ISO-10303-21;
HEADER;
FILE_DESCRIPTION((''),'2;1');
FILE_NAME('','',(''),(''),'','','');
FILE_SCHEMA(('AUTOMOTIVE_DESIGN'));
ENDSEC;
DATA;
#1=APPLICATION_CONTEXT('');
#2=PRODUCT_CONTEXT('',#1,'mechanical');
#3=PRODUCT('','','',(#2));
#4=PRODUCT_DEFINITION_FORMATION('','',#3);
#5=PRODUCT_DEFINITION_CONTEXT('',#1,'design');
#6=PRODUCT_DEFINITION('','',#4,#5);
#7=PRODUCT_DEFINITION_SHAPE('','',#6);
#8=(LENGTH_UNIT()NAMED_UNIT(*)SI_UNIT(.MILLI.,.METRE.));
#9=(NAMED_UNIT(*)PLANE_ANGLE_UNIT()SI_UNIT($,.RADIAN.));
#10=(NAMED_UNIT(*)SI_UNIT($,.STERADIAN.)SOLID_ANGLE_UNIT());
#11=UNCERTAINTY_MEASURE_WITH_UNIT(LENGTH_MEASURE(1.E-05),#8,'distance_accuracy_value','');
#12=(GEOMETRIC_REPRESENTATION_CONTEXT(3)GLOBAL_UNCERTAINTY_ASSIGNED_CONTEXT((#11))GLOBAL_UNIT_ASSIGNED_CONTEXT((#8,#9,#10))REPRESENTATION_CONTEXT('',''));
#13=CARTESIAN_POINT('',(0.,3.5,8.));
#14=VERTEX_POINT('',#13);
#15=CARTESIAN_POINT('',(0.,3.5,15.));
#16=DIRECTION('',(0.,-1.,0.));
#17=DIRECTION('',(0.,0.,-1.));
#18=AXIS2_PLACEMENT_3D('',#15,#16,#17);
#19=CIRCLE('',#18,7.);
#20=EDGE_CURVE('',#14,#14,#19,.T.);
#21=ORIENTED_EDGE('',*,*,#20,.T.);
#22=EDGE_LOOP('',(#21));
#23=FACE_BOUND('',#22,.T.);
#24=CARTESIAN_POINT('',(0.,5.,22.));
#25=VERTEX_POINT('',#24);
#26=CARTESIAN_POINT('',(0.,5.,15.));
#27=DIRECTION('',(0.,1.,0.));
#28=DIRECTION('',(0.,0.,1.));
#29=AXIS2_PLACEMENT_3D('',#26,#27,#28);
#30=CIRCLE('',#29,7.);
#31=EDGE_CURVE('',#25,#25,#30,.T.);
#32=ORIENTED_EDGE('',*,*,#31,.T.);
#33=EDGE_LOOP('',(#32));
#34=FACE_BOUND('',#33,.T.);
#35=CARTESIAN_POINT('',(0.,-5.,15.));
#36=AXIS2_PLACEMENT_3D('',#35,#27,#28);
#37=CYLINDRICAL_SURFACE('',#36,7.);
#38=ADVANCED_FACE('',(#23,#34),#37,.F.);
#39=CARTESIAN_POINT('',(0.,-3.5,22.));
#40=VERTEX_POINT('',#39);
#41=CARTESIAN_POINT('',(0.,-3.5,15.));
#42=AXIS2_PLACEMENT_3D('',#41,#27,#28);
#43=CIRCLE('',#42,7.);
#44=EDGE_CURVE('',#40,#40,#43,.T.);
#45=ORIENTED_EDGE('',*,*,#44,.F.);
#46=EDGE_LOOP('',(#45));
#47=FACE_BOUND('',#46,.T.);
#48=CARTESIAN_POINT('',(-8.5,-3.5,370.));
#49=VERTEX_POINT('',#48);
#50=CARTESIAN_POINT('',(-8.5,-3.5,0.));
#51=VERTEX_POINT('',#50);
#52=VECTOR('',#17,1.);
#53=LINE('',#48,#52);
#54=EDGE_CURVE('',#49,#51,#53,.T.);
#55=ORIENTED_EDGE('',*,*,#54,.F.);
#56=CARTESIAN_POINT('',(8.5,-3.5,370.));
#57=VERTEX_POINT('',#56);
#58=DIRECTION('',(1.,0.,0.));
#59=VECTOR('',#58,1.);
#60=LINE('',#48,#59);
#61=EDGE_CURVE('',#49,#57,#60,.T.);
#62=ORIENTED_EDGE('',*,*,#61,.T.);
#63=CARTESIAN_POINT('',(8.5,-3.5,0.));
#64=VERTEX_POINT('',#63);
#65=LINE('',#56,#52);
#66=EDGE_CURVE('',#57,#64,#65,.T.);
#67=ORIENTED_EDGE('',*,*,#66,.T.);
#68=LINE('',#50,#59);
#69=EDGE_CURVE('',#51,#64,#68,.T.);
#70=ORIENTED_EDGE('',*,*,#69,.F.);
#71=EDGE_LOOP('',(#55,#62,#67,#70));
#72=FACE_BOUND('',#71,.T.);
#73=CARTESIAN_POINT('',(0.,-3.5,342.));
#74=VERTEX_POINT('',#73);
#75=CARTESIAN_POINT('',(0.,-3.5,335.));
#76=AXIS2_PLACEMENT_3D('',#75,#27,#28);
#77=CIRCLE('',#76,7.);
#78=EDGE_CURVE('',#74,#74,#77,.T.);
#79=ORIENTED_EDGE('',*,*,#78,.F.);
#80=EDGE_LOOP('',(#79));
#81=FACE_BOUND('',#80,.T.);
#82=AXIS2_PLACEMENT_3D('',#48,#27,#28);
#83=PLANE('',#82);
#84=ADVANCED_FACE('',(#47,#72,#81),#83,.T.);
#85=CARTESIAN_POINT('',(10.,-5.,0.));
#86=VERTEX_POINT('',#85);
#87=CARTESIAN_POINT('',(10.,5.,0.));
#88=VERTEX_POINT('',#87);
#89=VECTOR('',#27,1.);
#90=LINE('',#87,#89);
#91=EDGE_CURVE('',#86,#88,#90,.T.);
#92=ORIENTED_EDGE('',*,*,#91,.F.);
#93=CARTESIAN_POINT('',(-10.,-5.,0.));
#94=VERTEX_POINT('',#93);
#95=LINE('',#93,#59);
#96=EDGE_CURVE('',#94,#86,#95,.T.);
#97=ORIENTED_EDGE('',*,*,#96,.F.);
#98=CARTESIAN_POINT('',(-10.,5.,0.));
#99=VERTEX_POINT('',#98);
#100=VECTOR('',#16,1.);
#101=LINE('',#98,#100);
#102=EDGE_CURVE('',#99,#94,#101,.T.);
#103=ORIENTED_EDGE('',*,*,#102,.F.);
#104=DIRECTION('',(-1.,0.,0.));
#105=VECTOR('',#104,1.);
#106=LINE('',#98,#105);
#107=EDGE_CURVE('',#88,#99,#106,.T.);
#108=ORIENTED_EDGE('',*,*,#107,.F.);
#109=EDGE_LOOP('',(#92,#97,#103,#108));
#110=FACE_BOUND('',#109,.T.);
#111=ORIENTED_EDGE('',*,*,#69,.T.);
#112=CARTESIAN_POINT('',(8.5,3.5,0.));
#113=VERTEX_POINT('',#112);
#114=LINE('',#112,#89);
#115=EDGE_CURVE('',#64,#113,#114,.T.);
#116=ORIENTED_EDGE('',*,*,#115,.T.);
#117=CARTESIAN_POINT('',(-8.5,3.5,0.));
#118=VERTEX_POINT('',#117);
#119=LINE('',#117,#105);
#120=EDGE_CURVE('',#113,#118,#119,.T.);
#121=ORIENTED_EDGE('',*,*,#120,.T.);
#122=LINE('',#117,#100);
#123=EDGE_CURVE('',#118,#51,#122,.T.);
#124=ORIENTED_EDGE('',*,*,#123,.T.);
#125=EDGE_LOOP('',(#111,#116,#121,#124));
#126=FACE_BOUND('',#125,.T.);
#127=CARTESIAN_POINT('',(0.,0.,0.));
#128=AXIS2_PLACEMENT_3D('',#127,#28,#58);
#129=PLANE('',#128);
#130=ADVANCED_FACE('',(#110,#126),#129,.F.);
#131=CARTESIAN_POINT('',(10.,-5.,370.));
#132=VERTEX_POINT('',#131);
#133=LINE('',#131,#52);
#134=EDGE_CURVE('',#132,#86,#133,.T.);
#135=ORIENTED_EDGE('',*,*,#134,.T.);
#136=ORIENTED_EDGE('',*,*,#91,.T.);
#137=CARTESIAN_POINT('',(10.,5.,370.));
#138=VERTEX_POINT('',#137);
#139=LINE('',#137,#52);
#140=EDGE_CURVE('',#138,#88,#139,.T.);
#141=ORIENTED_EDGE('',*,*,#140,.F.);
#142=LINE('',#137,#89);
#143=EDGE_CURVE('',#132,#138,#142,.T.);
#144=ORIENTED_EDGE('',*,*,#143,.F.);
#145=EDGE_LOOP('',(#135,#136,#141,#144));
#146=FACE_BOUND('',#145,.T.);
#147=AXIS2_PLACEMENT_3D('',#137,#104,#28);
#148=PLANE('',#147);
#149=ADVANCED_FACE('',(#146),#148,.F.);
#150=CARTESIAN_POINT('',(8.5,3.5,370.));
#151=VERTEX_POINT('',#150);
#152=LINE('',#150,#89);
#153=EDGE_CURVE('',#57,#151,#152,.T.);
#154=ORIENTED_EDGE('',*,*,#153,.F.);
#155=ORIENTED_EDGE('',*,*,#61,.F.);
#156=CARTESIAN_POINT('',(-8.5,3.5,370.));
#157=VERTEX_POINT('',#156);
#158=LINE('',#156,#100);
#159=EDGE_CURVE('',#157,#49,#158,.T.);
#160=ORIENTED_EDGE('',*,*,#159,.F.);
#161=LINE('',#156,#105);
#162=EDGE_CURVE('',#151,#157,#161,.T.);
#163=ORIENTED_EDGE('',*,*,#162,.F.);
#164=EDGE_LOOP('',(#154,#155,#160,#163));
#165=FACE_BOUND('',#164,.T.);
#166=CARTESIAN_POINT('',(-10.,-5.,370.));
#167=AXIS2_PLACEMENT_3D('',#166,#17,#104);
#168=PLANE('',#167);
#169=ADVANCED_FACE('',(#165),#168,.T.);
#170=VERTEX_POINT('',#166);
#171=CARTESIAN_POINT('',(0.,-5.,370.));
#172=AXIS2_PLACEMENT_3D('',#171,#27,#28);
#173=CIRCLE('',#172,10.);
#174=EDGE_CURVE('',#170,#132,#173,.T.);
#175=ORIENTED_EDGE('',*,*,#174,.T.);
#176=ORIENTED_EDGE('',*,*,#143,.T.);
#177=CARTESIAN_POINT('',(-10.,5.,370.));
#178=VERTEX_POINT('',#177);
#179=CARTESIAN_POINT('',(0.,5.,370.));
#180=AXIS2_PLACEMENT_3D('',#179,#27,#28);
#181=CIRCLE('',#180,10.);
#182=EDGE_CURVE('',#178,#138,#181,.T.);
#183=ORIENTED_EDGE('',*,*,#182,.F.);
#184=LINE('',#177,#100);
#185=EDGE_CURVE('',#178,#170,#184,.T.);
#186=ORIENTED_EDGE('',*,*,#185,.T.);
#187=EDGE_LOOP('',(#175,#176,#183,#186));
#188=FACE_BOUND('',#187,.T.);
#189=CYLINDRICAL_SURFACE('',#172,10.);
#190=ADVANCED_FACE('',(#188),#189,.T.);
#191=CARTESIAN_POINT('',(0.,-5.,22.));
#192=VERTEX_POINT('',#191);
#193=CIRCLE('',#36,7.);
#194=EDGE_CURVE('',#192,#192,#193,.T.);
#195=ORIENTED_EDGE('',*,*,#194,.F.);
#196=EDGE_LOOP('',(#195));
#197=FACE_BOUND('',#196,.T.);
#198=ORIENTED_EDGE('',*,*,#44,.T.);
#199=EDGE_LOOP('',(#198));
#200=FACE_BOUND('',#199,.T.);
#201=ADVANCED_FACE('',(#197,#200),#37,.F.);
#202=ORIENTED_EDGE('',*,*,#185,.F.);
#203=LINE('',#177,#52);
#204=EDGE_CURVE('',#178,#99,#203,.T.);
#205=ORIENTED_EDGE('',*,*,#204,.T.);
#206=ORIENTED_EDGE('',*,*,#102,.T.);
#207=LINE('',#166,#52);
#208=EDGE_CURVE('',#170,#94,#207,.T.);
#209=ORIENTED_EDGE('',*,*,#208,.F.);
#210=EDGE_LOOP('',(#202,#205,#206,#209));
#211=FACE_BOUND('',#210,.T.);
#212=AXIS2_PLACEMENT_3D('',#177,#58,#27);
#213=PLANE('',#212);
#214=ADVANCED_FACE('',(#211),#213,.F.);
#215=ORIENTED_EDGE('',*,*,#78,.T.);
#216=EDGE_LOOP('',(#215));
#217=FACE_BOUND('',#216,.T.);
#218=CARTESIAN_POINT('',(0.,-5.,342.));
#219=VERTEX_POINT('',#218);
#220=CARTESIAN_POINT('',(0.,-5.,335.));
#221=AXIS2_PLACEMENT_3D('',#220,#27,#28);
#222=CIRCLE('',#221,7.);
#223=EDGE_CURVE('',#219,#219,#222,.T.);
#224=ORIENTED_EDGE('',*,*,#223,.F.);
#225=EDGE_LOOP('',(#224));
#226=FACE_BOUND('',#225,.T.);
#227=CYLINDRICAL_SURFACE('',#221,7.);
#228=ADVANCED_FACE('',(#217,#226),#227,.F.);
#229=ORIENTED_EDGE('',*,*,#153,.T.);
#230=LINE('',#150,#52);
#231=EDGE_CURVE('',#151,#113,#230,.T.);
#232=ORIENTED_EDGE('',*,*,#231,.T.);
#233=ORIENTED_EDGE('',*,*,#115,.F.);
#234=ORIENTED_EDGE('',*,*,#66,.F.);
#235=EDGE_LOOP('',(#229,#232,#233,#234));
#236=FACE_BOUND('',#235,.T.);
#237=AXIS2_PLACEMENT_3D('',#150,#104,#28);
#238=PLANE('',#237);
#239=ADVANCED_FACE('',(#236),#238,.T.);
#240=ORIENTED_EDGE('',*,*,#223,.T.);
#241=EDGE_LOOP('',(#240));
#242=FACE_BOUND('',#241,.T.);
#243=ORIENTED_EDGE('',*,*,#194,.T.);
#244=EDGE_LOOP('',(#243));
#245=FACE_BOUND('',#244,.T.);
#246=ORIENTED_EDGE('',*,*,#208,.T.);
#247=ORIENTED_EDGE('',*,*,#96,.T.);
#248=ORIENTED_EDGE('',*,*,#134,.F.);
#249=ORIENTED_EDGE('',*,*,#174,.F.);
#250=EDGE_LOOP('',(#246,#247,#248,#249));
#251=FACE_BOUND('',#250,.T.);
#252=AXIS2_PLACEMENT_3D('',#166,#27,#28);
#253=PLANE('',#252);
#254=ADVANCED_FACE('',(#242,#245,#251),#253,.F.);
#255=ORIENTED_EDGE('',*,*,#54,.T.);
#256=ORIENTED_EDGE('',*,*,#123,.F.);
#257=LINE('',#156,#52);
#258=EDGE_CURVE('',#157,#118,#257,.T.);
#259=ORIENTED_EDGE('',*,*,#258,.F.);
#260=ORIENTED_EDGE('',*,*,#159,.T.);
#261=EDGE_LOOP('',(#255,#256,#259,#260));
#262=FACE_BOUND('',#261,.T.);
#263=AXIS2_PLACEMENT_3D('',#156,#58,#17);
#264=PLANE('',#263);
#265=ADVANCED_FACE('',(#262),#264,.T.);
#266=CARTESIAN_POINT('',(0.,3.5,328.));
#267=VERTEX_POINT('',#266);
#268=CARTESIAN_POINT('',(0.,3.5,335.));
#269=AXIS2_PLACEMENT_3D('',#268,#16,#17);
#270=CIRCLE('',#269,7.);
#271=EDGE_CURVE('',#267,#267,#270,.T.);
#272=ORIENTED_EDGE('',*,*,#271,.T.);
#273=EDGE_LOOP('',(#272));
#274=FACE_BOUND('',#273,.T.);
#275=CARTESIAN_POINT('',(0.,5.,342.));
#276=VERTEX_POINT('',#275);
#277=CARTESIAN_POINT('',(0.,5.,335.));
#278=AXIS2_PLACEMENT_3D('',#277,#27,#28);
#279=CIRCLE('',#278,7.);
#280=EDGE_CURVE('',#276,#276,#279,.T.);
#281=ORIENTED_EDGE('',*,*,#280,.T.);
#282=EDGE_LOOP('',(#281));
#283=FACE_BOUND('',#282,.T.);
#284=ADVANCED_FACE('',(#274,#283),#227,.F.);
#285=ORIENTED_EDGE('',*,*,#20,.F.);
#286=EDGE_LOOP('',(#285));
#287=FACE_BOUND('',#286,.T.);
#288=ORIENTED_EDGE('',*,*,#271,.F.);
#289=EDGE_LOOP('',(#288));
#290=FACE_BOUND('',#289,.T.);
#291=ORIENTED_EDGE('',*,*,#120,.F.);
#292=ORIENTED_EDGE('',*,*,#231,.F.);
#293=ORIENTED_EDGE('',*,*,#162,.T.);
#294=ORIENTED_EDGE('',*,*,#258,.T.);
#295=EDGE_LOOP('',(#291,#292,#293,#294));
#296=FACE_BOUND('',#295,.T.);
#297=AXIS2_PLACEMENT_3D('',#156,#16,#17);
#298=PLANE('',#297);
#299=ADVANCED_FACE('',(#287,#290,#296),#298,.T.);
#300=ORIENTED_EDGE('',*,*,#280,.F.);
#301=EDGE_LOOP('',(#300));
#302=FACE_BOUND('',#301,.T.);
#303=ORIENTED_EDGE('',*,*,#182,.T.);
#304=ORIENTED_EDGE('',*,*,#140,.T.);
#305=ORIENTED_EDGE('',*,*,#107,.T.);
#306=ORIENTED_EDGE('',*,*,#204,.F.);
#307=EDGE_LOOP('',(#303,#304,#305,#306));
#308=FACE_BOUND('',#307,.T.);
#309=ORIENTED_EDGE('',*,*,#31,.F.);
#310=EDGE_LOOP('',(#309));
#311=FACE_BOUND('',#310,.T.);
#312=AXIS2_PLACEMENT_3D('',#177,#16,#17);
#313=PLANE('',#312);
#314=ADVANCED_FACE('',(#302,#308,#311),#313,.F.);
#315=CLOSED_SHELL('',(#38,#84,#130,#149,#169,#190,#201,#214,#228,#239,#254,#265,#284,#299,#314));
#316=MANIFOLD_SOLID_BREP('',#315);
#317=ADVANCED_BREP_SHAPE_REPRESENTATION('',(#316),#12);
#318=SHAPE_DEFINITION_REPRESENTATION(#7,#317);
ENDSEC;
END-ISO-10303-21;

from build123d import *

# Parameters (mm, degrees)
SKETCH_1_W          = 20
SKETCH_1_H          = 10
SKETCH_1_W_2        = 17
SKETCH_1_H_2        = 7
EXTRUDE_1_DEPTH     = 370
SKETCH_2_R          = 7
CUT_EXTRUDE_1_DEPTH = 10
EXTRUDE_2_DEPTH     = 10


with BuildPart() as part:
    # 草图1 → 凸台-拉伸1 (new body)
    with BuildSketch(Plane.XY):
        Rectangle(SKETCH_1_W, SKETCH_1_H)
        Rectangle(SKETCH_1_W_2, SKETCH_1_H_2, mode=Mode.SUBTRACT)
    extrude(amount=EXTRUDE_1_DEPTH)

    # 草图2 → 切除-拉伸1 (cut)
    with BuildSketch(Plane(origin=(0, 5, 0), x_dir=(1, 0, 0), z_dir=(0, 1, 0))):
        with Locations(Location((0, -15, 0), (0, 0, 270))):
            Circle(SKETCH_2_R)
        with Locations(Location((0, -335, 0), (0, 0, 270))):
            Circle(SKETCH_2_R)
    extrude(amount=-CUT_EXTRUDE_1_DEPTH, mode=Mode.SUBTRACT)

    # 草图3 → 凸台-拉伸2 (add)
    with BuildSketch(Plane(origin=(0, 5, 0), x_dir=(1, 0, 0), z_dir=(0, 1, 0))):
        with BuildLine():
            Line((-10, -370), (10, -370))
            ThreePointArc((10, -370), (0, -380), (-10, -370))
        make_face()
    extrude(amount=-EXTRUDE_2_DEPTH)


solid = part.part
